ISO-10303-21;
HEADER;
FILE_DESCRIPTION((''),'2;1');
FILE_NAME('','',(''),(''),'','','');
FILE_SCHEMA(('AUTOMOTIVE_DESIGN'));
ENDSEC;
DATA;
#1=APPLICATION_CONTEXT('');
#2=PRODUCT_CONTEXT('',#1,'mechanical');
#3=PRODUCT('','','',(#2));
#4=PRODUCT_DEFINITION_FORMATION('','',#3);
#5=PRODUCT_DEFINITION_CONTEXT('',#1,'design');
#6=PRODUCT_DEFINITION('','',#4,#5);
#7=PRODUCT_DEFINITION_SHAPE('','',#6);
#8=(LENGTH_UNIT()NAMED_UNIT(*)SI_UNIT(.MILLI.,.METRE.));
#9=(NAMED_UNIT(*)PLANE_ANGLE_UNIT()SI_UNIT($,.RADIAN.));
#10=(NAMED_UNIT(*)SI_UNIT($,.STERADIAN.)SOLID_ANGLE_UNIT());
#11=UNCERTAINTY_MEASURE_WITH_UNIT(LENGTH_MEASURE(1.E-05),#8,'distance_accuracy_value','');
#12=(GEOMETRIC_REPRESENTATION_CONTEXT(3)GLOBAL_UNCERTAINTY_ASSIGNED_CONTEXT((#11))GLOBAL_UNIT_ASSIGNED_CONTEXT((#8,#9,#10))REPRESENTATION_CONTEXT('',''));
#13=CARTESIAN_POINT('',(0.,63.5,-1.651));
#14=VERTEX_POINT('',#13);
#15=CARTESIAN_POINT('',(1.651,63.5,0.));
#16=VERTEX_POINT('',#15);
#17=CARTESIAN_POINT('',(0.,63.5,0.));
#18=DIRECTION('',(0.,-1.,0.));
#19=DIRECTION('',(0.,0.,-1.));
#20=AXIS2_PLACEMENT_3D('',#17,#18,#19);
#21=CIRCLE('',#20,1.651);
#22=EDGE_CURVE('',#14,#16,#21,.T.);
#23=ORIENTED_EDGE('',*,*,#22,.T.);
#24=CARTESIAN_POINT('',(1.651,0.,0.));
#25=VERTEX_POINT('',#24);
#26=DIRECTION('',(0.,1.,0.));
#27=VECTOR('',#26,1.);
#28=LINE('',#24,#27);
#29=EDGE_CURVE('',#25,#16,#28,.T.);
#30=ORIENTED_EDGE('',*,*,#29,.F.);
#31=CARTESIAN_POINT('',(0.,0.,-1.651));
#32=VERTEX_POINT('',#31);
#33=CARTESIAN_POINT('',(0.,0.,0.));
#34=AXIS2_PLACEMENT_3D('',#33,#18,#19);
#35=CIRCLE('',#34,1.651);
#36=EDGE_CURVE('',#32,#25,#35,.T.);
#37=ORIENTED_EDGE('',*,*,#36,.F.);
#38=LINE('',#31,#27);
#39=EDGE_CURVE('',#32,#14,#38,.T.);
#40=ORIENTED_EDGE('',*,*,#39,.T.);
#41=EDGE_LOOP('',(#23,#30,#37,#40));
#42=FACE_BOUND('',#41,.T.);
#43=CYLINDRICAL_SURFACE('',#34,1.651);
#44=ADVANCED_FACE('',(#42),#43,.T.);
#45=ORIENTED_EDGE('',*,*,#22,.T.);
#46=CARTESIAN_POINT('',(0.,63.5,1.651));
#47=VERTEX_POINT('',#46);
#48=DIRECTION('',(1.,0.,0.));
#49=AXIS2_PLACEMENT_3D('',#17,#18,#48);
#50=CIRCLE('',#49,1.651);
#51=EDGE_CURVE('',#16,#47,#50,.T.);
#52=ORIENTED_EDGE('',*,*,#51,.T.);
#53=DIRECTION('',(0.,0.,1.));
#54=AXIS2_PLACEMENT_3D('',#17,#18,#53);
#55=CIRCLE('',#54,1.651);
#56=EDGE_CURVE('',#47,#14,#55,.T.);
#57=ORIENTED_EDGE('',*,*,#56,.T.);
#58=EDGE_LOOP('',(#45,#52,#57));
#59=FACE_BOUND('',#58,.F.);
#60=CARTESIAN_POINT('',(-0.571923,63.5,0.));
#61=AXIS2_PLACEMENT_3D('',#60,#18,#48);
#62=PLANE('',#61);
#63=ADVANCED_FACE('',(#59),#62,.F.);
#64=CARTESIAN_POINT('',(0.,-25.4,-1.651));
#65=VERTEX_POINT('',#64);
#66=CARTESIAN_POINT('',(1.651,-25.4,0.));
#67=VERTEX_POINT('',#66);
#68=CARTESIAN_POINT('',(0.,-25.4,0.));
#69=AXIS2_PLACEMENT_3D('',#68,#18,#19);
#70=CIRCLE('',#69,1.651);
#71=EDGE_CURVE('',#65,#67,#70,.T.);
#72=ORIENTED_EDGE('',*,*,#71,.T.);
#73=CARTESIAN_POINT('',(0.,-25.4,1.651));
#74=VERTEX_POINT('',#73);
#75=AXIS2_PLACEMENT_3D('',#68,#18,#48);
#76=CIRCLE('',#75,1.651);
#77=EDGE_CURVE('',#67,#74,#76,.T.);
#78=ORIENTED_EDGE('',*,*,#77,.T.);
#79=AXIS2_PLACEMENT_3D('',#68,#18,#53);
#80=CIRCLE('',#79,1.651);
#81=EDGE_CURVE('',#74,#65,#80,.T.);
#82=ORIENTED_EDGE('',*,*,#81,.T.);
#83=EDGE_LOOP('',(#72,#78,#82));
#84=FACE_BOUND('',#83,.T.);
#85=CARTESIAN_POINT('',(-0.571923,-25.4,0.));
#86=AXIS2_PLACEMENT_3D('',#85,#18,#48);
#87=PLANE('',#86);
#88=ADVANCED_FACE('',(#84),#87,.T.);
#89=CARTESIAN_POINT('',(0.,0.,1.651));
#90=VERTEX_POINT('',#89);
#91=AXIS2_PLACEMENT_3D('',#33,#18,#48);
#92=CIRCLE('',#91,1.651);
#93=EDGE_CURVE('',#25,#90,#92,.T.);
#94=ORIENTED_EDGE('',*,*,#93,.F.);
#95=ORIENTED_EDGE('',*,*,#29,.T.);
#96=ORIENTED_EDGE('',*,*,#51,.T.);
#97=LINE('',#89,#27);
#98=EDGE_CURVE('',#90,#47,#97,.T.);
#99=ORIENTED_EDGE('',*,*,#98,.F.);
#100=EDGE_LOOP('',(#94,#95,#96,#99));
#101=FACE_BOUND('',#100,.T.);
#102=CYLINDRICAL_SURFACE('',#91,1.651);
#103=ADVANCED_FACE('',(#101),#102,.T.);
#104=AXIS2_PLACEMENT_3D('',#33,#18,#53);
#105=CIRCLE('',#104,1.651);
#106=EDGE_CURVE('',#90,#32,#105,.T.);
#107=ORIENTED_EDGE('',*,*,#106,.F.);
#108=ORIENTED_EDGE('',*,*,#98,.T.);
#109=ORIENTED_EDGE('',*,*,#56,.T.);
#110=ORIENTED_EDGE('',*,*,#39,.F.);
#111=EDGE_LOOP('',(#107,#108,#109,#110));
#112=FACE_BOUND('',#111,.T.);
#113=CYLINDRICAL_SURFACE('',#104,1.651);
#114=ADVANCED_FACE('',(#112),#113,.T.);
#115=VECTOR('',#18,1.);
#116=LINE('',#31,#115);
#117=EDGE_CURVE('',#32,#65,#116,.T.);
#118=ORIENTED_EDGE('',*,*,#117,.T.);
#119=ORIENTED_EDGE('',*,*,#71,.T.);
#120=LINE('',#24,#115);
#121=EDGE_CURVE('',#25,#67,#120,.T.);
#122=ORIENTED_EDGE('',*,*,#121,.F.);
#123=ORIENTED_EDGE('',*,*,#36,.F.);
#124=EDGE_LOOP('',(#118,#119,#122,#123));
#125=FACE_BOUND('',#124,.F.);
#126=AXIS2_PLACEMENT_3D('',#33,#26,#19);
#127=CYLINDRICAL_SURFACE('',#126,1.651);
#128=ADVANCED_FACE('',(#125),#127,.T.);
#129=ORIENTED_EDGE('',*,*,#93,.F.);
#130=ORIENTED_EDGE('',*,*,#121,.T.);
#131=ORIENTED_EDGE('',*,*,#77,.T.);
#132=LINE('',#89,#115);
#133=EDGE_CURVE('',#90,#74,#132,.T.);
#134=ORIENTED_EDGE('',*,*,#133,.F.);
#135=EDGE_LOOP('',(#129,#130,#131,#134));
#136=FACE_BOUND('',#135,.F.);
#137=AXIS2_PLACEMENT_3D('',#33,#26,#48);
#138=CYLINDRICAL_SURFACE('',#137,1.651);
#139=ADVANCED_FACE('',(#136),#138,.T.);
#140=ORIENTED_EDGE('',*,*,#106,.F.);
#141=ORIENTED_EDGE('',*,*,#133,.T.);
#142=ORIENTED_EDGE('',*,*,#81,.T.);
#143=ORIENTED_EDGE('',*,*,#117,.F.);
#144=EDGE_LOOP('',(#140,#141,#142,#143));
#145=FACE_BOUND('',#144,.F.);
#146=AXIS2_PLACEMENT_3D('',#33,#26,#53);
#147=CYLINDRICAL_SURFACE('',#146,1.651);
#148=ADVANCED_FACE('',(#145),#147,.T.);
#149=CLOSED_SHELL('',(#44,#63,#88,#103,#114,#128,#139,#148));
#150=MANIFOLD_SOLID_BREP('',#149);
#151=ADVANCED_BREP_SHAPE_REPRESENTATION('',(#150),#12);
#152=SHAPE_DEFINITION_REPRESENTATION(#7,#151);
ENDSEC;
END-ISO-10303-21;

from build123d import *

# Parameters (mm, degrees)
F1_DEPTH = 63.5
F2_DEPTH = 25.4


with BuildPart() as f1:
    # F0 (on Front) → F1 (new body)
    with BuildSketch(Plane.XZ):
        with BuildLine():
            Line((0, -1.651), (0, 1.651))
            ThreePointArc((0, 1.651), (-1.651, 0), (0, -1.651))
        make_face()
        with BuildLine():
            ThreePointArc((0, -1.651), (1.1674332957, -1.1674332957), (1.651, 0))
            ThreePointArc((1.651, 0), (1.1674332957, 1.1674332957), (0, 1.651))
            Line((0, 1.651), (0, -1.651))
        make_face()
    extrude(amount=-F1_DEPTH)

    # F2 (add): a face of the model
    f2_faces = [f1.faces().sort_by_distance(p)[0] for p in [
        (0, 0, 0),
    ]]
    extrude(f2_faces, amount=F2_DEPTH)


solid = f1.part
